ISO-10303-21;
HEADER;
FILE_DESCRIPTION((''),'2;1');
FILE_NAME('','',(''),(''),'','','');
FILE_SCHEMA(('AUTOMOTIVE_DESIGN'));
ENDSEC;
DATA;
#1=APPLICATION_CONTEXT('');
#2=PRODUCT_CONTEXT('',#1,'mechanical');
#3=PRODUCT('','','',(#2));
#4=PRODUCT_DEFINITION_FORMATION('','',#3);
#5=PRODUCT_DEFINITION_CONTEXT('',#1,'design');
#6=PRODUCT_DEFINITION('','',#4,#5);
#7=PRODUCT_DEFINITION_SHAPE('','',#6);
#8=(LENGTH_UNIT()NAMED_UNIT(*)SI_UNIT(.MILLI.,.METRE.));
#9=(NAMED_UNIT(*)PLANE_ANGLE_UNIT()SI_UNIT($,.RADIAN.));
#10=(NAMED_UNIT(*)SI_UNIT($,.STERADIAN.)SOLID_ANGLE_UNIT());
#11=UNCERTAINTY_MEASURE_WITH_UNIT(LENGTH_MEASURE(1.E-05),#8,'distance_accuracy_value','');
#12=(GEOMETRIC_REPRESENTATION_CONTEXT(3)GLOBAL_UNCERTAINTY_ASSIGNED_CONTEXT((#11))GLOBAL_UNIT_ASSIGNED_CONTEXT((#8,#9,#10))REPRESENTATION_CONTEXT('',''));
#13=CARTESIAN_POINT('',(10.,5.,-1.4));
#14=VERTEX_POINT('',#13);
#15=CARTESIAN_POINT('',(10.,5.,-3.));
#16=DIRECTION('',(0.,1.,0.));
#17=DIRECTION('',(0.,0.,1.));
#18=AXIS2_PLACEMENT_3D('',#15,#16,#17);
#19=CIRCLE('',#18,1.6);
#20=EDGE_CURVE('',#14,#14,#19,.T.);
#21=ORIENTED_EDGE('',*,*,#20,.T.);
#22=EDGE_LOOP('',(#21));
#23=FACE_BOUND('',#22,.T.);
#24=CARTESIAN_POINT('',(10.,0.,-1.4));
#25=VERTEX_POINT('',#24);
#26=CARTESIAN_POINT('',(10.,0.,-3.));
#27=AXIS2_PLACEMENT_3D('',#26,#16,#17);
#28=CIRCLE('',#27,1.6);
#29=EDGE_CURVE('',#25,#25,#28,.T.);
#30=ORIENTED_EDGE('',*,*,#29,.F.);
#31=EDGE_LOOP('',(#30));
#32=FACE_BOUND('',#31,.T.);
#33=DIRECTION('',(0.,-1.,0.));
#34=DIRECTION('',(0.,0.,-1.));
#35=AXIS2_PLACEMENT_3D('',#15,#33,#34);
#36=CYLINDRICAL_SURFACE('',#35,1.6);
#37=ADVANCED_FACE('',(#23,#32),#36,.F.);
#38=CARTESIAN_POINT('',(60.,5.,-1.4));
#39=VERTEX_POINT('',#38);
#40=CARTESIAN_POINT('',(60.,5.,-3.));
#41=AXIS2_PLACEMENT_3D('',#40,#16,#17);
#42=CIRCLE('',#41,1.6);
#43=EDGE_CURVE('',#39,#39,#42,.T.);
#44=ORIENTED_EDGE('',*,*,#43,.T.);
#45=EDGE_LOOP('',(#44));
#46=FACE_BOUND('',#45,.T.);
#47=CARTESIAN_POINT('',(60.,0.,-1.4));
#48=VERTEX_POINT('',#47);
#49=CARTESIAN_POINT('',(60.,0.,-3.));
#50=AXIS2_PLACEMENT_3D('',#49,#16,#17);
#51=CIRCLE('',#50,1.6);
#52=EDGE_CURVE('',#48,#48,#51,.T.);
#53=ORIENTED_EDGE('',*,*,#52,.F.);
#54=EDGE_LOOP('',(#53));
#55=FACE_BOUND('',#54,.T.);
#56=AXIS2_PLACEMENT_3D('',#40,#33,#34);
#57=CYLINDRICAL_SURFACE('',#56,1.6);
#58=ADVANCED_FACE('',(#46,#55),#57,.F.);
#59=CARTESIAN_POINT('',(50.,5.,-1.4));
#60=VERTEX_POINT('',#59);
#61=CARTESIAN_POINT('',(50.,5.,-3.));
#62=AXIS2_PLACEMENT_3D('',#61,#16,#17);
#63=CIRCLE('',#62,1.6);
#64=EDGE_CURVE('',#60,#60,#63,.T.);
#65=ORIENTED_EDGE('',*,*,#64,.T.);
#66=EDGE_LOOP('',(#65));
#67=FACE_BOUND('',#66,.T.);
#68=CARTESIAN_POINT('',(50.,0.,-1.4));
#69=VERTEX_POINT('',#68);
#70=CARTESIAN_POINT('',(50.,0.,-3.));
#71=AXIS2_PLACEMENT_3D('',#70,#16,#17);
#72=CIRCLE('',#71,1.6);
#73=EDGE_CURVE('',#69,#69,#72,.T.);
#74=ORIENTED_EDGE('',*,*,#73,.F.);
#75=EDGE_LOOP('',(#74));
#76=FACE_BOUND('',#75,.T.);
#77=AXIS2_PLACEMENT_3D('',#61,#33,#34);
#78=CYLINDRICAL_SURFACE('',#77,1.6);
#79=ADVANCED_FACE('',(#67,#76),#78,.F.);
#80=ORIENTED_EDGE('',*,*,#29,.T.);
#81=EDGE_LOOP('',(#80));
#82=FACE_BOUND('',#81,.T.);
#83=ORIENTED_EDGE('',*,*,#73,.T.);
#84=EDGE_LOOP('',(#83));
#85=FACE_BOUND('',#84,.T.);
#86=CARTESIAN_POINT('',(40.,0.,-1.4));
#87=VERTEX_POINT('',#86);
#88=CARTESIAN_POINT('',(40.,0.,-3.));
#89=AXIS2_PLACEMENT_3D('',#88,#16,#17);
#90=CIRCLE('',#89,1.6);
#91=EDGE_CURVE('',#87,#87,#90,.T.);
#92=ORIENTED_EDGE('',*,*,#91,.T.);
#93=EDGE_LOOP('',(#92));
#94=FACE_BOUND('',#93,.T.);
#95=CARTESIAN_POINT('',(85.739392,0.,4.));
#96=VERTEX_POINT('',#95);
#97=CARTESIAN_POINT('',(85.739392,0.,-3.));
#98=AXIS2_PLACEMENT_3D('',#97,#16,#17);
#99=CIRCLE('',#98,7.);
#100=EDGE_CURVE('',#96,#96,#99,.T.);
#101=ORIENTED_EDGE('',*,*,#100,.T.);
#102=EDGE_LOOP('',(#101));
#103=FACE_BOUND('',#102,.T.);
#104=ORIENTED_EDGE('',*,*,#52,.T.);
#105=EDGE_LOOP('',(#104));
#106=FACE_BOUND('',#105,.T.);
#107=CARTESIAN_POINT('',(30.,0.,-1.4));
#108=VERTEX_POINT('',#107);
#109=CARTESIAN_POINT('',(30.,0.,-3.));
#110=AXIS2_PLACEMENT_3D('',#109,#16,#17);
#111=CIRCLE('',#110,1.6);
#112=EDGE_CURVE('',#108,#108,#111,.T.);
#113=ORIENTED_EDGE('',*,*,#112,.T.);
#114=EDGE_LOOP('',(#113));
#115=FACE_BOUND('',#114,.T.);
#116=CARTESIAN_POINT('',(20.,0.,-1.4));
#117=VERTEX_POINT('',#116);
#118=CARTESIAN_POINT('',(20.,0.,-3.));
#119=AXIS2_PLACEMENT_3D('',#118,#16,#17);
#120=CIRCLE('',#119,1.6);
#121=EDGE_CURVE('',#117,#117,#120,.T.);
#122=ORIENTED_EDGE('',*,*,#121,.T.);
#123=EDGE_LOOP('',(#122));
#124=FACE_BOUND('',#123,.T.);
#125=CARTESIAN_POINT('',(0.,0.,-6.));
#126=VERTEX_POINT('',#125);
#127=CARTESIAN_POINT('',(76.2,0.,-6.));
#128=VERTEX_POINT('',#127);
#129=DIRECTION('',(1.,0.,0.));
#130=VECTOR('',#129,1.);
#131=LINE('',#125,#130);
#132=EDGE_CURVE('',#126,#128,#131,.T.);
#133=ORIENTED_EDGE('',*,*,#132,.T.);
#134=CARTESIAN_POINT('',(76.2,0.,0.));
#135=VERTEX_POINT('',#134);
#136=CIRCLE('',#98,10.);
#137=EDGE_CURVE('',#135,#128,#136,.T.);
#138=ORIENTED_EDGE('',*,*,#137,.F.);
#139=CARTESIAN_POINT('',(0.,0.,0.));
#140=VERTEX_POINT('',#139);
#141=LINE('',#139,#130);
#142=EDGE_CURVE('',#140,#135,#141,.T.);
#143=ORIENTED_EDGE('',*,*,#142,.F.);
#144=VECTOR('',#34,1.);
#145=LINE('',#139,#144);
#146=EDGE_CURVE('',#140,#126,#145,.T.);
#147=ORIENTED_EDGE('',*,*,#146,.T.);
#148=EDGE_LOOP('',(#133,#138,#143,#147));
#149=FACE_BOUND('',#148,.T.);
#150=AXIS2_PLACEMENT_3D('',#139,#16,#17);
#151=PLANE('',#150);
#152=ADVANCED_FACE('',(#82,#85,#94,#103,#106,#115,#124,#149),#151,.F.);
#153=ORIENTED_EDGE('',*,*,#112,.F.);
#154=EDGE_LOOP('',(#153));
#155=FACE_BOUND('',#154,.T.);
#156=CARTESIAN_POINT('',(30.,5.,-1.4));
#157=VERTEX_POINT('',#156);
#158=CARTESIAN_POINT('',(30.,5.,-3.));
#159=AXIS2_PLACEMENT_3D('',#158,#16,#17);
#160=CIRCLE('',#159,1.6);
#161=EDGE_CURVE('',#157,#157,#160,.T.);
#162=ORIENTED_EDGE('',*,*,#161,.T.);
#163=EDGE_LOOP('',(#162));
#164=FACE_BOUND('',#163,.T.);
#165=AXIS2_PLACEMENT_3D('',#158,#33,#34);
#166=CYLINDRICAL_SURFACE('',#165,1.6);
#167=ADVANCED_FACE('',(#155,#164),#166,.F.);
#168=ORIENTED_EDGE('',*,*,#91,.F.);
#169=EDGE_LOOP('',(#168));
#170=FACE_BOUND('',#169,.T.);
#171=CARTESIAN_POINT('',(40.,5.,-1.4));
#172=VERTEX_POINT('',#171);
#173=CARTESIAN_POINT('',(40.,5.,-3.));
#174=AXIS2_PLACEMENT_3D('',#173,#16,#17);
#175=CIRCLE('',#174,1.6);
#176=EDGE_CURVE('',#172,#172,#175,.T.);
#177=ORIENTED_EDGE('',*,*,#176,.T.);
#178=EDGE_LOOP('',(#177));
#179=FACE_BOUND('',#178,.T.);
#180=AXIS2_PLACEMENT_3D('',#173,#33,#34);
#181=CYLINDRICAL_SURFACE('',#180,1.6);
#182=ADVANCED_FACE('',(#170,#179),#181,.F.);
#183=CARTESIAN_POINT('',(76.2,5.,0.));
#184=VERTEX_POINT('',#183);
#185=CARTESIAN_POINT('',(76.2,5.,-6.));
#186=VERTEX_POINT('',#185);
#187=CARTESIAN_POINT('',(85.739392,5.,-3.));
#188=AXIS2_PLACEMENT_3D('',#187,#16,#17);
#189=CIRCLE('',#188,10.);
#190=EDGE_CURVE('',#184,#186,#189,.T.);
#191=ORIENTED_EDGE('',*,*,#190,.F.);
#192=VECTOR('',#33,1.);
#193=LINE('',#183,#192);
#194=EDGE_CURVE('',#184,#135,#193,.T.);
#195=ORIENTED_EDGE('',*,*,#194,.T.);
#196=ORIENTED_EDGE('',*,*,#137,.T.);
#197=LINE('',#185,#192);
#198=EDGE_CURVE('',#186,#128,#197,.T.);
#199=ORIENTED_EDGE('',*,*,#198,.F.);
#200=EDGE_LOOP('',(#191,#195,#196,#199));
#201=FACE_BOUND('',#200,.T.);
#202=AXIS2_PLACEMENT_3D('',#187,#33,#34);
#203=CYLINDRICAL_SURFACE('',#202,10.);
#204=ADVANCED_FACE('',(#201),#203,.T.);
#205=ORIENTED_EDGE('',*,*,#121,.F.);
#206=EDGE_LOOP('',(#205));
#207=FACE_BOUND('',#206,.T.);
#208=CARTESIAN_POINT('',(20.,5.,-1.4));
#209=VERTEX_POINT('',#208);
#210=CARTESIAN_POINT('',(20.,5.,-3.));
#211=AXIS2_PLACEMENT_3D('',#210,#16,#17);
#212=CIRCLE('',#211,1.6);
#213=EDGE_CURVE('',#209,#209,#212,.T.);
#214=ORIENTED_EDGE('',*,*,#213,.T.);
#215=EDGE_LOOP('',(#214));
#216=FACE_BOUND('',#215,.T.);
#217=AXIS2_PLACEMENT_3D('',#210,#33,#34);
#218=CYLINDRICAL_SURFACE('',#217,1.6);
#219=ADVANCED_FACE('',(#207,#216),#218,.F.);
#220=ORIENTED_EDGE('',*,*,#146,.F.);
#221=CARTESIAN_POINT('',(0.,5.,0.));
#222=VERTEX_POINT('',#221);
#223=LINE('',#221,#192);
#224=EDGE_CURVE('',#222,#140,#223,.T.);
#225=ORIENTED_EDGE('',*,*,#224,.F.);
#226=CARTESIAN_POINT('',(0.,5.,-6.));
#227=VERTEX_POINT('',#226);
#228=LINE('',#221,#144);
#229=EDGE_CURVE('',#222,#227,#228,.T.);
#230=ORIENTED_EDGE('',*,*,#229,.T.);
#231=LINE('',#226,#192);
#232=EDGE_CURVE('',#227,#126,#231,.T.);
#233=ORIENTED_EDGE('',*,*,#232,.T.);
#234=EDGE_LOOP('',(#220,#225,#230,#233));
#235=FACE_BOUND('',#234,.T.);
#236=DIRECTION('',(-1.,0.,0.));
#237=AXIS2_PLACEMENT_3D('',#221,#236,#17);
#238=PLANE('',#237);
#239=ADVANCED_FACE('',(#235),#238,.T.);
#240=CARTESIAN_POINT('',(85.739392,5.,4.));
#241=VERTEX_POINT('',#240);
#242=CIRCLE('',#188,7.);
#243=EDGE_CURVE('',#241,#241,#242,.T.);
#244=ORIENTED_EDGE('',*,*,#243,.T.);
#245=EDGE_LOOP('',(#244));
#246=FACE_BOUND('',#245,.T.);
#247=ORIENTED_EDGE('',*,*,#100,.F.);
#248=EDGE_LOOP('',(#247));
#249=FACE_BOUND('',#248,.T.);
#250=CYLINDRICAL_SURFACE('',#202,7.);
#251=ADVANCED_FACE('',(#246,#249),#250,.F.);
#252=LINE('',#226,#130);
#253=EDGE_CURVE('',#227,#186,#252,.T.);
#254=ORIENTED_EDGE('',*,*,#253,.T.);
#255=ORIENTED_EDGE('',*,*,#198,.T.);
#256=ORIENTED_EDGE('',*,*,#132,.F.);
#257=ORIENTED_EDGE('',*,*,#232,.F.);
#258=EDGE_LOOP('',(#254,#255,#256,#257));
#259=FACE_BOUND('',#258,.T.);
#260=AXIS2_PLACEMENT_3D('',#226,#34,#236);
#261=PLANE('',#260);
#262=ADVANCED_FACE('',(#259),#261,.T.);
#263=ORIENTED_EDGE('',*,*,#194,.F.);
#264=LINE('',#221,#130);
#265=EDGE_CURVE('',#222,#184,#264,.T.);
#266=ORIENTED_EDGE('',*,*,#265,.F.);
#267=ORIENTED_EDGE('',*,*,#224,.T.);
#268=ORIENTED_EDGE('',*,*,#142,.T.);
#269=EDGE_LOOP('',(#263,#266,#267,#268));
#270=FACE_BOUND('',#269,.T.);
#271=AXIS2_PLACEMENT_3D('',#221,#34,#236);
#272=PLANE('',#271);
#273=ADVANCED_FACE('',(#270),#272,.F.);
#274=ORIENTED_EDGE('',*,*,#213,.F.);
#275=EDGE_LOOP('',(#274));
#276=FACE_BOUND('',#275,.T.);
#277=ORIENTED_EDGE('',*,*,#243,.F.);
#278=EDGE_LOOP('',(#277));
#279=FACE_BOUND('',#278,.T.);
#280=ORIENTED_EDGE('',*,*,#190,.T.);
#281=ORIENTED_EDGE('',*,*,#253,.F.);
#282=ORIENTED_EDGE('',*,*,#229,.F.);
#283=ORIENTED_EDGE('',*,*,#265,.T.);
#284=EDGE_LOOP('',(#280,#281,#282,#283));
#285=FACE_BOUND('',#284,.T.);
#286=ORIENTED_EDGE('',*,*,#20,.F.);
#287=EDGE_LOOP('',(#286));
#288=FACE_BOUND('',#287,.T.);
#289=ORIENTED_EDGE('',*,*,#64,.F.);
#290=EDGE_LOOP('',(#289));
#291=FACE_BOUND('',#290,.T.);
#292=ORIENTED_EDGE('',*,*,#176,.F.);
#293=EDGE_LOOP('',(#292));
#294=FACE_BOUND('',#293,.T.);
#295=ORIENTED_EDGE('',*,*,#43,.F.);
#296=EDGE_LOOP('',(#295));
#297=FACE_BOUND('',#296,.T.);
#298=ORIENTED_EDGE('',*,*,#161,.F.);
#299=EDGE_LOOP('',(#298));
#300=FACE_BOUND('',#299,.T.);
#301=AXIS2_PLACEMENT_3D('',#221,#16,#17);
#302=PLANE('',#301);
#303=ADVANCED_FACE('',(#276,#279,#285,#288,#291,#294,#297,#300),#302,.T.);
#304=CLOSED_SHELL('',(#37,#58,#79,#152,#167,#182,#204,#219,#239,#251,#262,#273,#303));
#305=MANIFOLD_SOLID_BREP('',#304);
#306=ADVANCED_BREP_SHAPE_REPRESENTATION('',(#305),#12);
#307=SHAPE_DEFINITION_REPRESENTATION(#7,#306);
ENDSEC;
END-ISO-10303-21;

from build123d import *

# Parameters (mm, degrees)
SKETCH1_R           = 7
BOSS_EXTRUDE1_DEPTH = 5


with BuildPart() as part:
    # Sketch1 → Boss-Extrude1 (new body)
    # profile 1 of 7: a face of its own
    with BuildSketch(Plane(origin=(0, 0, 0), x_dir=(1, 0, 0), z_dir=(0, 1, 0))):
        with BuildLine():
            Line((76.2, 3), (76.2, 0))
            ThreePointArc((76.2, 0), (87.256969007, -6.884177258), (95.739392014, 3))
            ThreePointArc((95.739392014, 3), (87.256969007, 12.884177258), (76.2, 6))
            Line((76.2, 6), (76.2, 3))
        make_face()
        with Locations(Location((85.739392014, 3, 0), (0, 0, 270))):
            Circle(SKETCH1_R, mode=Mode.SUBTRACT)
    # profile 2 of 7: a face of its own
    with BuildSketch(Plane(origin=(0, 0, 0), x_dir=(1, 0, 0), z_dir=(0, 1, 0))):
        with BuildLine():
            ThreePointArc((75.739392014, 3), (75.855214756, 1.482423007), (76.2, 0))
            Line((76.2, 0), (76.2, 3))
            Line((76.2, 3), (75.739392014, 3))
        make_face()
    # profile 3 of 7: a face of its own
    with BuildSketch(Plane(origin=(0, 0, 0), x_dir=(1, 0, 0), z_dir=(0, 1, 0))):
        with BuildLine():
            Line((76.2, 3), (76.2, 6))
            ThreePointArc((76.2, 6), (75.855214756, 4.517576993), (75.739392014, 3))
            Line((75.739392014, 3), (76.2, 3))
        make_face()
    # profile 4 of 7: a face of its own
    with BuildSketch(Plane(origin=(0, 0, 0), x_dir=(1, 0, 0), z_dir=(0, 1, 0))):
        with BuildLine():
            ThreePointArc((75.739392014, 3), (75.855214756, 1.482423007), (76.2, 0))
            Line((76.2, 0), (76.2, 3))
            Line((76.2, 3), (75.739392014, 3))
        make_face()
    # profile 5 of 7: a face of its own
    with BuildSketch(Plane(origin=(0, 0, 0), x_dir=(1, 0, 0), z_dir=(0, 1, 0))):
        with BuildLine():
            Line((76.2, 3), (76.2, 6))
            ThreePointArc((76.2, 6), (75.855214756, 4.517576993), (75.739392014, 3))
            Line((75.739392014, 3), (76.2, 3))
        make_face()
    # profile 6 of 7: a face of its own
    with BuildSketch(Plane(origin=(0, 0, 0), x_dir=(1, 0, 0), z_dir=(0, 1, 0))):
        with BuildLine():
            Line((8.4, 3), (0, 3))
            Line((0, 3), (0, 0))
            Line((0, 0), (76.2, 0))
            ThreePointArc((76.2, 0), (75.855214756, 1.482423007), (75.739392014, 3))
            Line((75.739392014, 3), (61.6, 3))
            ThreePointArc((61.6, 3), (60, 1.4), (58.4, 3))
            Line((58.4, 3), (51.6, 3))
            ThreePointArc((51.6, 3), (50, 1.4), (48.4, 3))
            Line((48.4, 3), (41.6, 3))
            ThreePointArc((41.6, 3), (40, 1.4), (38.4, 3))
            Line((38.4, 3), (31.6, 3))
            ThreePointArc((31.6, 3), (30, 1.4), (28.4, 3))
            Line((28.4, 3), (21.6, 3))
            ThreePointArc((21.6, 3), (20, 1.4), (18.4, 3))
            Line((18.4, 3), (11.6, 3))
            ThreePointArc((11.6, 3), (10, 1.4), (8.4, 3))
        make_face()
    # profile 7 of 7: a face of its own
    with BuildSketch(Plane(origin=(0, 0, 0), x_dir=(1, 0, 0), z_dir=(0, 1, 0))):
        with BuildLine():
            Line((0, 6), (0, 3))
            Line((0, 3), (8.4, 3))
            ThreePointArc((8.4, 3), (10, 4.6), (11.6, 3))
            Line((11.6, 3), (18.4, 3))
            ThreePointArc((18.4, 3), (20, 4.6), (21.6, 3))
            Line((21.6, 3), (28.4, 3))
            ThreePointArc((28.4, 3), (30, 4.6), (31.6, 3))
            Line((31.6, 3), (38.4, 3))
            ThreePointArc((38.4, 3), (40, 4.6), (41.6, 3))
            Line((41.6, 3), (48.4, 3))
            ThreePointArc((48.4, 3), (50, 4.6), (51.6, 3))
            Line((51.6, 3), (58.4, 3))
            ThreePointArc((58.4, 3), (60, 4.6), (61.6, 3))
            Line((61.6, 3), (75.739392014, 3))
            ThreePointArc((75.739392014, 3), (75.855214756, 4.517576993), (76.2, 6))
            Line((76.2, 6), (0, 6))
        make_face()
    extrude(amount=BOSS_EXTRUDE1_DEPTH)


solid = part.part
